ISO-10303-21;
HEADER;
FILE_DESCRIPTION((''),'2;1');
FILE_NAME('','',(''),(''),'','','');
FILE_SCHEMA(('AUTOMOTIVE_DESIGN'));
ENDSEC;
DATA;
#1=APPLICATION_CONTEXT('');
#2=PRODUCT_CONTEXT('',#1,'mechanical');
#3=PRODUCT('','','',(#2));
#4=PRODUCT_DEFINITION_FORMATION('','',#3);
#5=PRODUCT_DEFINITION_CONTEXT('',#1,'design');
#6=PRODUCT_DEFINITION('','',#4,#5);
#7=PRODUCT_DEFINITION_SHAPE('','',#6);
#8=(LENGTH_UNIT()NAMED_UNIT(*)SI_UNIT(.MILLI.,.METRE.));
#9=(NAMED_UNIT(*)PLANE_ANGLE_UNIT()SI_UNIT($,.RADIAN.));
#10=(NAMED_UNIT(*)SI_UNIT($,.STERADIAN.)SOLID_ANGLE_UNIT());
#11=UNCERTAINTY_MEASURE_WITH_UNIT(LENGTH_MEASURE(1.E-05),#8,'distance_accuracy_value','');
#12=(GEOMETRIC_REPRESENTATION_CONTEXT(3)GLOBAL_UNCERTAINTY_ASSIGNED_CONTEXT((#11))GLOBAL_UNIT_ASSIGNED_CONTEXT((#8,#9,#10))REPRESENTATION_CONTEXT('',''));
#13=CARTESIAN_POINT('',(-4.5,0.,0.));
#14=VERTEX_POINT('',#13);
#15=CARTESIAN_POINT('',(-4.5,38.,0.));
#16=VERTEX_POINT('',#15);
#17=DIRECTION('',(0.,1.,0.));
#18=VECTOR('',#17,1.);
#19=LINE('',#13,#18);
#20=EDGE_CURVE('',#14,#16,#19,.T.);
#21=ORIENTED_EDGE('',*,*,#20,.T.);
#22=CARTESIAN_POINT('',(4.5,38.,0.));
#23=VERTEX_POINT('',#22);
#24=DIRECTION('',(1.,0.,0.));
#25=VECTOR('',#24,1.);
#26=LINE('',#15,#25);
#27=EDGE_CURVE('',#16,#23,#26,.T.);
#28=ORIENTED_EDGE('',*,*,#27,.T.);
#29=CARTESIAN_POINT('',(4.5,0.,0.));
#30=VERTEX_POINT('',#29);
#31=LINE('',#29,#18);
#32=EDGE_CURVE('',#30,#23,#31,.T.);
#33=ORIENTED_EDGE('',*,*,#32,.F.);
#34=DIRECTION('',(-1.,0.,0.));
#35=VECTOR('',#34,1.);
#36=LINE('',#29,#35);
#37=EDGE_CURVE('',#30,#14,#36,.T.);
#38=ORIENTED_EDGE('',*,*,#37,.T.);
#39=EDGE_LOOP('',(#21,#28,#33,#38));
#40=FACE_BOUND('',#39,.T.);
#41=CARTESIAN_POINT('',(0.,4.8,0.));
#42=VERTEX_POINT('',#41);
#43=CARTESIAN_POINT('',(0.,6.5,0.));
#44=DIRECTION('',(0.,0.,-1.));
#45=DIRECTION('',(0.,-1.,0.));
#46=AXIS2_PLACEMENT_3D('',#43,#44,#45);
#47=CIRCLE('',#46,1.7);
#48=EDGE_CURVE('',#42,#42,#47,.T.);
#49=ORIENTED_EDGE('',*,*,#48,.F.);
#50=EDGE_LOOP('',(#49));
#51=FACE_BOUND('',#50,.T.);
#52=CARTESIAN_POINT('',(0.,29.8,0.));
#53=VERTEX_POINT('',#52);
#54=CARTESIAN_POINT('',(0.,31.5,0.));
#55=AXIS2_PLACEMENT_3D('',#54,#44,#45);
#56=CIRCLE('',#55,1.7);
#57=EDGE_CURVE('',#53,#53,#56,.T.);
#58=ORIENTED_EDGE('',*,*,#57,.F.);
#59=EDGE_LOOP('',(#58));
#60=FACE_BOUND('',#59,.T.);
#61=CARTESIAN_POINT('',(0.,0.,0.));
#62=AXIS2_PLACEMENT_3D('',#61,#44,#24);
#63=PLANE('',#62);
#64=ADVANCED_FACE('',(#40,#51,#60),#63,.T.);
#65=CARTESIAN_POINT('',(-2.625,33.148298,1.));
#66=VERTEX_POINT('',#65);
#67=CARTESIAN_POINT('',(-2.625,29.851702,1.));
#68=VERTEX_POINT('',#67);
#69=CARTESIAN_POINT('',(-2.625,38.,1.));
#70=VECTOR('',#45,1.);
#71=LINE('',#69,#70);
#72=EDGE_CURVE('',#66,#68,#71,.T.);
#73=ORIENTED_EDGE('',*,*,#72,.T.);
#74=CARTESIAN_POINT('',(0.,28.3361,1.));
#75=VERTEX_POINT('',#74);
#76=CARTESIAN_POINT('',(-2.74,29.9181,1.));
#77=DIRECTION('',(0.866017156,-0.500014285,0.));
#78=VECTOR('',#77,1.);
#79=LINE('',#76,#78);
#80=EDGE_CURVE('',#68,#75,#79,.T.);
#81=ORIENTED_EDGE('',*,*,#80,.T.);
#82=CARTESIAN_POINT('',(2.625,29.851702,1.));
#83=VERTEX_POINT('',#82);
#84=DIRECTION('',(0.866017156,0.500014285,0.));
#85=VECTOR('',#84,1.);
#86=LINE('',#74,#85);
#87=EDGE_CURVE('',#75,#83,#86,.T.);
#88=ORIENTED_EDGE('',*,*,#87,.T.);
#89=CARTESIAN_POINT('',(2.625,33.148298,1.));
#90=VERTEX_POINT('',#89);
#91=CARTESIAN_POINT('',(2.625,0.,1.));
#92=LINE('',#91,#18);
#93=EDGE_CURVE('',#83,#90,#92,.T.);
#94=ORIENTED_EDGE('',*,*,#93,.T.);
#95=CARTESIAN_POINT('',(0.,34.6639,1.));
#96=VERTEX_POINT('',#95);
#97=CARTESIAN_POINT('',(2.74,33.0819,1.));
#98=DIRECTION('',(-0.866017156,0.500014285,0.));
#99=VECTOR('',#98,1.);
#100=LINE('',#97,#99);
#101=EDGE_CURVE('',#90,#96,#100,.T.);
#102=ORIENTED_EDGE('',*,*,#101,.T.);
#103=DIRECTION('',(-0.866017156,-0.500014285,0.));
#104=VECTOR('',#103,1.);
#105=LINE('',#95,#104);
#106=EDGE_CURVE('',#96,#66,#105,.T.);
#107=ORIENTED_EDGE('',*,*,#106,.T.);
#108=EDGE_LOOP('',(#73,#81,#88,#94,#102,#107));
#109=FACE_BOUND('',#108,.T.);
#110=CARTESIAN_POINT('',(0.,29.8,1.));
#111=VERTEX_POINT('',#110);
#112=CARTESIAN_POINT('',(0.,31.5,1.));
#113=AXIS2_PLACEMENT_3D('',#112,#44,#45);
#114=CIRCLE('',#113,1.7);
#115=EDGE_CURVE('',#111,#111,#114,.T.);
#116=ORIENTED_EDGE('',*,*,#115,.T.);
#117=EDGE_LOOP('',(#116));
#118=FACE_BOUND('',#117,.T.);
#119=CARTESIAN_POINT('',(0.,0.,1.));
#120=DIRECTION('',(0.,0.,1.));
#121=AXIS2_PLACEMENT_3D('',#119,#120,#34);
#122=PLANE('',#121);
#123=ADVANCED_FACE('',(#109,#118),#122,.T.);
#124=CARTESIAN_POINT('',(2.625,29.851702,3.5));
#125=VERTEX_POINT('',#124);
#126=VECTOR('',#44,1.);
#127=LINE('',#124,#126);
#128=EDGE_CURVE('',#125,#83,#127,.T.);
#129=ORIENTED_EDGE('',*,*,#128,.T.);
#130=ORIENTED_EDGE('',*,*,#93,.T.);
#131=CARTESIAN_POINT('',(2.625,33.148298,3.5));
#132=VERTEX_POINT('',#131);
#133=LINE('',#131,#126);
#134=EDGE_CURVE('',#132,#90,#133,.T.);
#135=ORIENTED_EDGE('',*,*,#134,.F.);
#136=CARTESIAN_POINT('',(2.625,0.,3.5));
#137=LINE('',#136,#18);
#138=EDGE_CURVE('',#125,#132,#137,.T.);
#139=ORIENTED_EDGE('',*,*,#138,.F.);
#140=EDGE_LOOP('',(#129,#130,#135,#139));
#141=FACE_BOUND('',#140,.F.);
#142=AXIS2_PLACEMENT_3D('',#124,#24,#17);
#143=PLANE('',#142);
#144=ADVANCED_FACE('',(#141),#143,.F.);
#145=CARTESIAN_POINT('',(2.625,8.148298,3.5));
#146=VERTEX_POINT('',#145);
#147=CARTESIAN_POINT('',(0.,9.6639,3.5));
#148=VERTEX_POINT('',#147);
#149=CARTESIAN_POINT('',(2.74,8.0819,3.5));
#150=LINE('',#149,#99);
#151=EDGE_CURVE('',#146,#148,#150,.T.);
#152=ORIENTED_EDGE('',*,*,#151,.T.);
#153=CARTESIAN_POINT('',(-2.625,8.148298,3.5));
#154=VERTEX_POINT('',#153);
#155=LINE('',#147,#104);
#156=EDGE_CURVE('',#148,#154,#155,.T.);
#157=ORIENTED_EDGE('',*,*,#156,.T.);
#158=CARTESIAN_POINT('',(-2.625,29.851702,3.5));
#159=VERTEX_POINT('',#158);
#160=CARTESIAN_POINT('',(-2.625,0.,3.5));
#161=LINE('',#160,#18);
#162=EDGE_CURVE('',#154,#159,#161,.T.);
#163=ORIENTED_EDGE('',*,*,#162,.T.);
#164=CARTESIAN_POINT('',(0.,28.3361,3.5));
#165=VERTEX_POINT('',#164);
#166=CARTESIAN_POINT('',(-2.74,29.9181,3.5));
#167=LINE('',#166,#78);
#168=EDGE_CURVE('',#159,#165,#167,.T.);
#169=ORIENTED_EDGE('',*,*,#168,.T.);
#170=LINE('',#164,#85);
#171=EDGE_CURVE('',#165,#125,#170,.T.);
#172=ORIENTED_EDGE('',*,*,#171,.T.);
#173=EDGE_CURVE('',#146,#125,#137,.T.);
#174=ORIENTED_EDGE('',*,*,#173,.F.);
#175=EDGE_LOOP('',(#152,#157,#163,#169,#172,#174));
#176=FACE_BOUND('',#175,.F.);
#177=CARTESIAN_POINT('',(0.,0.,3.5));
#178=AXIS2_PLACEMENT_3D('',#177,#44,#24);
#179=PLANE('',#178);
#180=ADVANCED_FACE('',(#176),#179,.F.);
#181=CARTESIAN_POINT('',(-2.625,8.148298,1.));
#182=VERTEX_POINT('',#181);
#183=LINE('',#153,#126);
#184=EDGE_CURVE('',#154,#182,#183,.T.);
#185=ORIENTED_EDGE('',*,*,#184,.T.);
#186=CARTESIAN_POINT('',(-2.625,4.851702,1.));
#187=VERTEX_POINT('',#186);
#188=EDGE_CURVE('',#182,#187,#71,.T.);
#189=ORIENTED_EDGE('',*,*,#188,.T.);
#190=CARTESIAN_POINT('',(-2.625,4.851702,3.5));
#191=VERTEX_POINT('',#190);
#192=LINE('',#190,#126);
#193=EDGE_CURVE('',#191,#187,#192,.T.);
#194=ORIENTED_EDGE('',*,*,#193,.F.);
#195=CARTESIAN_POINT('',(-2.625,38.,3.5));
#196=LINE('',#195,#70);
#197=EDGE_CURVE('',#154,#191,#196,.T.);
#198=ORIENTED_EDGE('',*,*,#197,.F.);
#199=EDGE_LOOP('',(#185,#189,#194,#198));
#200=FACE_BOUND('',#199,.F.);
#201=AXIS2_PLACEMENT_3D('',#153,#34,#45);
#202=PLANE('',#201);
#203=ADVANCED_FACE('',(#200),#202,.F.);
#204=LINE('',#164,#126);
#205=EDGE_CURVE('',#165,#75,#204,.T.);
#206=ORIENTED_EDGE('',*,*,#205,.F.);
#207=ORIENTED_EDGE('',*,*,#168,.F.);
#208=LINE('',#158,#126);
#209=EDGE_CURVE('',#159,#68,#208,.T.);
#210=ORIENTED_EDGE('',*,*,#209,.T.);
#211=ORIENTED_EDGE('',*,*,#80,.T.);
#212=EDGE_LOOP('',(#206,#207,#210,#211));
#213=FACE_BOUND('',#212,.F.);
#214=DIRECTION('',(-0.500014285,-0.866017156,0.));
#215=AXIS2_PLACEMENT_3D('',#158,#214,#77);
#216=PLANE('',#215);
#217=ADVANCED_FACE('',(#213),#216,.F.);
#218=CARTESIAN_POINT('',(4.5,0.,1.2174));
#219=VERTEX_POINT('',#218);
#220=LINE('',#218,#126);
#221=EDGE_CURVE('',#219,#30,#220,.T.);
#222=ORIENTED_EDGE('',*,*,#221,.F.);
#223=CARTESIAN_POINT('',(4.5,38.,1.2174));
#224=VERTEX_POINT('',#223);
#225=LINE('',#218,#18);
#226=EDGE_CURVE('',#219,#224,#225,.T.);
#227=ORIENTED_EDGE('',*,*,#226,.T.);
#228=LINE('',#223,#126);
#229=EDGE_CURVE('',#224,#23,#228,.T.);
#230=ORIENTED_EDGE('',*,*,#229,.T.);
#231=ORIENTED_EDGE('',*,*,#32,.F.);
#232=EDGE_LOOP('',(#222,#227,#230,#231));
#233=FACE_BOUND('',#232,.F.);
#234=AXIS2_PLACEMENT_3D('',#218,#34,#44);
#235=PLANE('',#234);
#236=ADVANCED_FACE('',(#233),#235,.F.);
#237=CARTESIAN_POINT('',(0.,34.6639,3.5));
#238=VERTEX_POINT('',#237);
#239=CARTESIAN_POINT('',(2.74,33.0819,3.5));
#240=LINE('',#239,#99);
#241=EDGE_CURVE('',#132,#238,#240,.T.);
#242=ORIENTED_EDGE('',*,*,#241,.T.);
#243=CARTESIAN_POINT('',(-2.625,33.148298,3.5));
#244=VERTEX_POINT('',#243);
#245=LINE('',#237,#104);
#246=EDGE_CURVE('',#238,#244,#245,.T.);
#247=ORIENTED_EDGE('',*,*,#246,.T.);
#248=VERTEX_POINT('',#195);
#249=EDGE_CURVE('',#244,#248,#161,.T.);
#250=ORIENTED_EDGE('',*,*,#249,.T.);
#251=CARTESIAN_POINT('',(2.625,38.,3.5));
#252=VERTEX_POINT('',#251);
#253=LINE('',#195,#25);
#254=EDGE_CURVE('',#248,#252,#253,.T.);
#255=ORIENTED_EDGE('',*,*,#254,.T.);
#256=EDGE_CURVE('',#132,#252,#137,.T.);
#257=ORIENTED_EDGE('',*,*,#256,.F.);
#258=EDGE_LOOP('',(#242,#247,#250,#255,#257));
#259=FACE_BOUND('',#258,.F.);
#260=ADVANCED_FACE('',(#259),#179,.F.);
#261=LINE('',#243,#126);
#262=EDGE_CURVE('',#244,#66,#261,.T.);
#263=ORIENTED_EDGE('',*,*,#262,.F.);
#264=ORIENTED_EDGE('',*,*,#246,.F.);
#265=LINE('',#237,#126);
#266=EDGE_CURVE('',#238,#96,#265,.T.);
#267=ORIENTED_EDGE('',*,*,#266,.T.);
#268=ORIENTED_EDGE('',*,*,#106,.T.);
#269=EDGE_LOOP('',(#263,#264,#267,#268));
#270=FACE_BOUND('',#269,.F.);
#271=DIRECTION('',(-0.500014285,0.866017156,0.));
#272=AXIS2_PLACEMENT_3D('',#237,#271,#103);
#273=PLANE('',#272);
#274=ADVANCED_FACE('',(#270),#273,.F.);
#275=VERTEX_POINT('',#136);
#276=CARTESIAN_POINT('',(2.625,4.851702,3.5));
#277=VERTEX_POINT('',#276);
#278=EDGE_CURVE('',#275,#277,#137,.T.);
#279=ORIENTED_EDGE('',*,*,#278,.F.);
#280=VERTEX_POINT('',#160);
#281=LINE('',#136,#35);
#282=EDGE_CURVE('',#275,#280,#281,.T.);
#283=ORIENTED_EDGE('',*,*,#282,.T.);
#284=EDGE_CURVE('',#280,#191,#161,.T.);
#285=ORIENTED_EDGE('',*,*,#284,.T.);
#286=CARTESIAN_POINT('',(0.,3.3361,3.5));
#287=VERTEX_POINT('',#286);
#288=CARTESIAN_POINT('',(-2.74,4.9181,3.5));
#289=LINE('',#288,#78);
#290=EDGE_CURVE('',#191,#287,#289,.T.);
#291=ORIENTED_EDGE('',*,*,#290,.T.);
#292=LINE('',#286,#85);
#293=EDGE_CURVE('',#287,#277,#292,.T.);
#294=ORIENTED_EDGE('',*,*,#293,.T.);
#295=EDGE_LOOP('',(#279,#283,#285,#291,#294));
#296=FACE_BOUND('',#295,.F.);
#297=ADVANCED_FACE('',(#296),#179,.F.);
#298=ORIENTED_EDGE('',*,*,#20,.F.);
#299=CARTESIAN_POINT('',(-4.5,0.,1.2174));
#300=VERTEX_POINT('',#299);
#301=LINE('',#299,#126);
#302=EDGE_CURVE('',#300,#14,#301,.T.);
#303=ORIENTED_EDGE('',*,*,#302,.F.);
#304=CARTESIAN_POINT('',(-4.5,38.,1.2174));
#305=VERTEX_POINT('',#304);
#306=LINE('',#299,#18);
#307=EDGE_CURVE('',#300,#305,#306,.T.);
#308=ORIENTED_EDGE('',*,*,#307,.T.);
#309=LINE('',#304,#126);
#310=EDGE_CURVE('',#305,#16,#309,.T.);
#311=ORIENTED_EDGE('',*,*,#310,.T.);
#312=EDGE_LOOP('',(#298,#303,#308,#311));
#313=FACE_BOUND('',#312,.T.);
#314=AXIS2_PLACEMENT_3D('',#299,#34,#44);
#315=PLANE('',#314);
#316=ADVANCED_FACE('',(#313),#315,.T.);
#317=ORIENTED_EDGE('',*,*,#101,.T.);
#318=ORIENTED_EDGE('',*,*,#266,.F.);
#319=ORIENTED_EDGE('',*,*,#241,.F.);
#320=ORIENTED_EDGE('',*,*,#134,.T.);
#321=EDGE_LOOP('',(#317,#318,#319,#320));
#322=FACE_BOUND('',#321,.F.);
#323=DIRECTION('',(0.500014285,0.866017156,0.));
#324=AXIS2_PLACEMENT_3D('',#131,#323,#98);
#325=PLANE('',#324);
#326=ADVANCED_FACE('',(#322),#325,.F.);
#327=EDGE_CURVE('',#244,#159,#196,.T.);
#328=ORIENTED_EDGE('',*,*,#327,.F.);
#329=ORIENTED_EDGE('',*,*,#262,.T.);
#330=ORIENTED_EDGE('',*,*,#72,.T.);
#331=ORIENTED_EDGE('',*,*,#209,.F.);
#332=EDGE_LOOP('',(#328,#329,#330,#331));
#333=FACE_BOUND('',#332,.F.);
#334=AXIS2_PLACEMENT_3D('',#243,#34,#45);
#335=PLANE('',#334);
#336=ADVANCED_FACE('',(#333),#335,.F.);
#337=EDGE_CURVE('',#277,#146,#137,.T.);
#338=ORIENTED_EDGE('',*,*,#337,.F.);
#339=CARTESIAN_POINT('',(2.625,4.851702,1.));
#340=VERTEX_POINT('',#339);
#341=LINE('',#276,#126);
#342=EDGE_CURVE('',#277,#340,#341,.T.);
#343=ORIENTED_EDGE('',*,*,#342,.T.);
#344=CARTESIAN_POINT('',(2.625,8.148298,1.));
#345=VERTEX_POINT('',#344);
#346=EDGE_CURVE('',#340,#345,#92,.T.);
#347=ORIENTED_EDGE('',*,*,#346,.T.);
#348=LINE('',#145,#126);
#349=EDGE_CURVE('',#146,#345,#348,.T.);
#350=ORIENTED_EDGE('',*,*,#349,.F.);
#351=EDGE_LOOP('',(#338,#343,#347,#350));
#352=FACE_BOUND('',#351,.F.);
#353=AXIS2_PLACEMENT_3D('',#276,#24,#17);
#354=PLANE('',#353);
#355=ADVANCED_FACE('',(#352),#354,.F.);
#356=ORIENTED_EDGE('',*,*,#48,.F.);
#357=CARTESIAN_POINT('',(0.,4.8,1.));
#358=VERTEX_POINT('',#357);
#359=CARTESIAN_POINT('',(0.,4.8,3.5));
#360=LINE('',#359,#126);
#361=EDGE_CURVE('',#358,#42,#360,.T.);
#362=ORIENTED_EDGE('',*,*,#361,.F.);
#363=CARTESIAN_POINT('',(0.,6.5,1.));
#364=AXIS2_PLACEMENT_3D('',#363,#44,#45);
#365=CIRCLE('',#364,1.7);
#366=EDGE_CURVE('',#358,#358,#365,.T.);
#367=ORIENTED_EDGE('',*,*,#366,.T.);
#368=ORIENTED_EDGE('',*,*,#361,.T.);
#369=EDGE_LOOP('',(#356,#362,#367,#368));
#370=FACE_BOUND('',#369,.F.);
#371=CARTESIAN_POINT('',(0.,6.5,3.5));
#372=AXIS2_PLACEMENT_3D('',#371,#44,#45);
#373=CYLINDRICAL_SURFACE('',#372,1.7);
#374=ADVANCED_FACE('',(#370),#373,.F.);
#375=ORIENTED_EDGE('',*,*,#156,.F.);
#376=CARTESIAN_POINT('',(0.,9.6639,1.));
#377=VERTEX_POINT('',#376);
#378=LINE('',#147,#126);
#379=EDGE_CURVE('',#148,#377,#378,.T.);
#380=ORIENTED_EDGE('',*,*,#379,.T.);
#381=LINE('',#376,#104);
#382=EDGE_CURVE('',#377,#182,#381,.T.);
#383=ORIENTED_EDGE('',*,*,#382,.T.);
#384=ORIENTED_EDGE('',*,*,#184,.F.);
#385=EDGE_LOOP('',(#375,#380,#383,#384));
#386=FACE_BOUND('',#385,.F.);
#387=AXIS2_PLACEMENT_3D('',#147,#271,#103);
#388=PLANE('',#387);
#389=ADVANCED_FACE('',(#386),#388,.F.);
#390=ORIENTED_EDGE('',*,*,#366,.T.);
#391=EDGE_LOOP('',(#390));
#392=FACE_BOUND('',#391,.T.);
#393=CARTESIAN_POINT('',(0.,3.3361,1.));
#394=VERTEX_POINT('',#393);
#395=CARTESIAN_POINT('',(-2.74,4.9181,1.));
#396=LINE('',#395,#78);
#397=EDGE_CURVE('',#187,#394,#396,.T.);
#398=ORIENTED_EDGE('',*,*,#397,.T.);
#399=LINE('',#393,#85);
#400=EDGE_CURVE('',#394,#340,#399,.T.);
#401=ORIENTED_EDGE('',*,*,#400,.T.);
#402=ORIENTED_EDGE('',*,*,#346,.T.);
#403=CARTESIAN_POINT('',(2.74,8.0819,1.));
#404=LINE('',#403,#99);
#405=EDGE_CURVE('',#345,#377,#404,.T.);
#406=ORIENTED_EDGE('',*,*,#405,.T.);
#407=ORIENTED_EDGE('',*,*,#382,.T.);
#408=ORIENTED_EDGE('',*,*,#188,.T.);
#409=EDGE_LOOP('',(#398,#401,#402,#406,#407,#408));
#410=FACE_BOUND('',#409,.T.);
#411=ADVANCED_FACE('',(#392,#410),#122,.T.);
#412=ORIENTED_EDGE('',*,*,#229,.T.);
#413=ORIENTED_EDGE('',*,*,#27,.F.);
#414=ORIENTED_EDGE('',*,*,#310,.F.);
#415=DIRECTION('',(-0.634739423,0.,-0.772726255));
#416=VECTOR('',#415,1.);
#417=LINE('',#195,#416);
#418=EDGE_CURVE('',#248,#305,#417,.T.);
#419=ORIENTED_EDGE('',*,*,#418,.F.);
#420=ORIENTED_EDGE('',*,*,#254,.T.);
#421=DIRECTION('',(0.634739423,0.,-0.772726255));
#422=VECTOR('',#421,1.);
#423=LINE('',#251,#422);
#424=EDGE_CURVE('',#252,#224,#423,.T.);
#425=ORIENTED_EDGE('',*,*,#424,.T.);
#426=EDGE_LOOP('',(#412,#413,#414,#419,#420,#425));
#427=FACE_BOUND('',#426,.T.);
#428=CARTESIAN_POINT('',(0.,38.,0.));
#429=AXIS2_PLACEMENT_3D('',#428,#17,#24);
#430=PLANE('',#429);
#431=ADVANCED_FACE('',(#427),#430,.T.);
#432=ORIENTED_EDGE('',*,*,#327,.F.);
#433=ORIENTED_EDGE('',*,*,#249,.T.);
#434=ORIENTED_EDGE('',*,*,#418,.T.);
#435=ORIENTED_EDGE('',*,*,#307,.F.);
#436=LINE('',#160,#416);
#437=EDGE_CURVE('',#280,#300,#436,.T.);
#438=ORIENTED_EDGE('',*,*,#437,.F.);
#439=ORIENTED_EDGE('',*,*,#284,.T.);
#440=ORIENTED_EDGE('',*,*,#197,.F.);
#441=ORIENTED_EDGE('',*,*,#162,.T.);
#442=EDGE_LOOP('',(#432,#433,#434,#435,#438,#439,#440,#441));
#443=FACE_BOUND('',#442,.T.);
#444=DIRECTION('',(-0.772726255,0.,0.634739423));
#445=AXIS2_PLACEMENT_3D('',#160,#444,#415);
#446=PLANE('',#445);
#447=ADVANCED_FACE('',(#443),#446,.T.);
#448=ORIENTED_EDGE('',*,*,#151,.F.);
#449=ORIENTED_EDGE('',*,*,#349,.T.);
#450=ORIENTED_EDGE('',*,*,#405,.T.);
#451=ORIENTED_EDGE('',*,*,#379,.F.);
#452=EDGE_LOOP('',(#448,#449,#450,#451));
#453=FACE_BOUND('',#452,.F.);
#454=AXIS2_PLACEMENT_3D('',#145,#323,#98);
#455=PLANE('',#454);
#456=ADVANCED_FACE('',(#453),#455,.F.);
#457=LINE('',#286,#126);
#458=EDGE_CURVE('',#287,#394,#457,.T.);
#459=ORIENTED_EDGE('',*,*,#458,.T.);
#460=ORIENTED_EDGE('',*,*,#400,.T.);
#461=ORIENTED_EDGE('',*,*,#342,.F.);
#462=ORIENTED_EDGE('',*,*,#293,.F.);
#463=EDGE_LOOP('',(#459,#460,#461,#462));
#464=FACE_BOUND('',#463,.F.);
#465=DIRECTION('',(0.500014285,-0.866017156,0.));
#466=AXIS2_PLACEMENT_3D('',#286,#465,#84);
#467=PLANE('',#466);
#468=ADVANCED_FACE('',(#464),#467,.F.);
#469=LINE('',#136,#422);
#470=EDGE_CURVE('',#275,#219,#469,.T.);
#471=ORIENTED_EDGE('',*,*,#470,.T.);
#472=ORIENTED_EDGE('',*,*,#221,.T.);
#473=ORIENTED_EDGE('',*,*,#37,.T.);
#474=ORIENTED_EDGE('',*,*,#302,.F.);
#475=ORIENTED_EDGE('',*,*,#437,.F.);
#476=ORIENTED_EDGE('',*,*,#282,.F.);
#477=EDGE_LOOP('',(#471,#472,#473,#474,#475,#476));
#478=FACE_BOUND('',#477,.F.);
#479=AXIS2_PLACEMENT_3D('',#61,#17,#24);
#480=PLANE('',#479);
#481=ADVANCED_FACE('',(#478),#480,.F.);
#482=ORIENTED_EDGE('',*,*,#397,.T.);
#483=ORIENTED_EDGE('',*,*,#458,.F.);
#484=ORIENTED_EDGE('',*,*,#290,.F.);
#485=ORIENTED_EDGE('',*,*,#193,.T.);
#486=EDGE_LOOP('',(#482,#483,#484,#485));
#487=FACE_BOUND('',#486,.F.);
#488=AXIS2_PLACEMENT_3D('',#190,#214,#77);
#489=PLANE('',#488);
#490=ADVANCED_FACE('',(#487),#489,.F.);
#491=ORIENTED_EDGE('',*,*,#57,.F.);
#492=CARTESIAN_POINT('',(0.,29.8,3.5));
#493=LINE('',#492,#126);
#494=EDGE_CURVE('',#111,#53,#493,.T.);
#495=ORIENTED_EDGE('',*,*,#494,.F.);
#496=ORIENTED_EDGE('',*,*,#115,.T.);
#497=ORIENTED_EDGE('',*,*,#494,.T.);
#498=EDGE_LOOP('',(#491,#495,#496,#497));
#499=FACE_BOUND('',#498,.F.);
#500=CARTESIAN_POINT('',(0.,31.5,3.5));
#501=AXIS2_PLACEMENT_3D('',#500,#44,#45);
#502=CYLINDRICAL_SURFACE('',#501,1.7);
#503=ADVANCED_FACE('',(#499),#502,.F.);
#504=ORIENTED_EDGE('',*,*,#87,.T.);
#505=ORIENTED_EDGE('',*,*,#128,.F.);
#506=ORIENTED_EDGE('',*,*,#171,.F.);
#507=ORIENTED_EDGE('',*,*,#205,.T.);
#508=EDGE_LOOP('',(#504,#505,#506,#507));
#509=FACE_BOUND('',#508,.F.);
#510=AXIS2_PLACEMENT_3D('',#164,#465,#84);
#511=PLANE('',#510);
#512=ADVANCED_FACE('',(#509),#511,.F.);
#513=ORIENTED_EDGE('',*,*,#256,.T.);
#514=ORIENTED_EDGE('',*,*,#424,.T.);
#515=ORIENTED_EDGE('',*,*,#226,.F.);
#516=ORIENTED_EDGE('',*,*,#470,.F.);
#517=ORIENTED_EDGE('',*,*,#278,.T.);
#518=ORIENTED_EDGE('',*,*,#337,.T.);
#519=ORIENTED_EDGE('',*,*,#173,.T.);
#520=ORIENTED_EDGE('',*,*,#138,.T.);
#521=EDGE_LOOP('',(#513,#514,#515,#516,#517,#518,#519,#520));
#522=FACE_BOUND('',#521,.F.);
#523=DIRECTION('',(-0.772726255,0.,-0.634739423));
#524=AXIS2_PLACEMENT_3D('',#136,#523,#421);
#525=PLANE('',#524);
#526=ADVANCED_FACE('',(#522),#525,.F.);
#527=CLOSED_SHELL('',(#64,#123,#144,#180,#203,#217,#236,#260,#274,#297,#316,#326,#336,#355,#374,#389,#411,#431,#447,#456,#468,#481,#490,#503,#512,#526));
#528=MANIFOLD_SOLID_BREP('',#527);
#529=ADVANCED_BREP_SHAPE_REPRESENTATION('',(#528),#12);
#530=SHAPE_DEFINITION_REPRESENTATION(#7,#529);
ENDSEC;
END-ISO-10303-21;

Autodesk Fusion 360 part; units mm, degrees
sketch "Sketch1" plane through (0, 0, 0) normal (0, 1, 0) x (1, 0, 0)
  line L0 (0, 0) -> (5.5, 0)
  line L1 (0, -3.5) -> (2.625, -3.5)
  line L2 (2.625, -3.5) -> (5.5, 0)
  line L3 (0, -1.75) -> (0, -22.5)
  line L4 (0, -3.5) -> (-2.625, -3.5)
  line L5 (-2.625, -3.5) -> (-5.5, 0)
  line L6 (0, 0) -> (-5.5, 0)
  line L7 (-4.5, -1.2174) -> (-4.5, 0)
  line L8 (4.5, -1.2174) -> (4.5, 0)
  dimension "d1" = 5.5
  dimension "d2" = 2.625
  dimension "d3" = 3.5
  dimension "d16" = 4.5
extrude "Extrude1" add sketch "Sketch1" along normal blind 38 contours L0 L1 L2 L4 L5 L6 L7 L8
sketch "Sketch2" plane through (0, 0, 3.5) normal (0, 0, 1) x (-1, 0, 0)
  line L0 (2.625, 0) -> (-2.625, 0)
  line L1 (-2.625, 0) -> (-2.625, -38)
  line L2 (-2.625, -38) -> (2.625, -38)
  line L3 (2.625, -38) -> (2.625, 0)
  line L4 (0, -38) -> (0, 0) construction
  line L5 (2.74, -29.9181) -> (0, -28.3361)
  line L6 (0, -28.3361) -> (-2.74, -29.9181)
  line L7 (-2.74, -29.9181) -> (-2.74, -33.0819)
  line L8 (-2.74, -33.0819) -> (0, -34.6639)
  line L9 (0, -34.6639) -> (2.74, -33.0819)
  line L10 (2.74, -33.0819) -> (2.74, -29.9181)
  line L11 (2.74, -4.9181) -> (0, -3.3361)
  line L12 (0, -3.3361) -> (-2.74, -4.9181)
  line L13 (-2.74, -4.9181) -> (-2.74, -8.0819)
  line L14 (-2.74, -8.0819) -> (0, -9.6639)
  line L15 (0, -9.6639) -> (2.74, -8.0819)
  line L16 (2.74, -8.0819) -> (2.74, -4.9181)
  point P0 (0, -31.5)
  point P1 (0, -6.5)
  dimension "d6" = 2.74
  dimension "d7" = 2.74
  dimension "d8" = 25
  dimension "d9" = 6.5
extrude "Extrude2" cut sketch "Sketch2" against normal blind 2.5 contours L1 L3 L11 L12 L14 L15 | L1 L3 L5 L6 L8 L9
hole "Hole1" at (0, 31.5, 3.5) at (0, 6.5, 3.5) direction (0, 0, -1) diameter 3.4 depth 16 tip angle 118
equation "d2 = ( 5.25 / 2 ) * 1 mm"
equation "d6 = ( 5.48 / 2 ) * 1 mm"
equation "d7 = ( 5.48 / 2 ) * 1 mm"
